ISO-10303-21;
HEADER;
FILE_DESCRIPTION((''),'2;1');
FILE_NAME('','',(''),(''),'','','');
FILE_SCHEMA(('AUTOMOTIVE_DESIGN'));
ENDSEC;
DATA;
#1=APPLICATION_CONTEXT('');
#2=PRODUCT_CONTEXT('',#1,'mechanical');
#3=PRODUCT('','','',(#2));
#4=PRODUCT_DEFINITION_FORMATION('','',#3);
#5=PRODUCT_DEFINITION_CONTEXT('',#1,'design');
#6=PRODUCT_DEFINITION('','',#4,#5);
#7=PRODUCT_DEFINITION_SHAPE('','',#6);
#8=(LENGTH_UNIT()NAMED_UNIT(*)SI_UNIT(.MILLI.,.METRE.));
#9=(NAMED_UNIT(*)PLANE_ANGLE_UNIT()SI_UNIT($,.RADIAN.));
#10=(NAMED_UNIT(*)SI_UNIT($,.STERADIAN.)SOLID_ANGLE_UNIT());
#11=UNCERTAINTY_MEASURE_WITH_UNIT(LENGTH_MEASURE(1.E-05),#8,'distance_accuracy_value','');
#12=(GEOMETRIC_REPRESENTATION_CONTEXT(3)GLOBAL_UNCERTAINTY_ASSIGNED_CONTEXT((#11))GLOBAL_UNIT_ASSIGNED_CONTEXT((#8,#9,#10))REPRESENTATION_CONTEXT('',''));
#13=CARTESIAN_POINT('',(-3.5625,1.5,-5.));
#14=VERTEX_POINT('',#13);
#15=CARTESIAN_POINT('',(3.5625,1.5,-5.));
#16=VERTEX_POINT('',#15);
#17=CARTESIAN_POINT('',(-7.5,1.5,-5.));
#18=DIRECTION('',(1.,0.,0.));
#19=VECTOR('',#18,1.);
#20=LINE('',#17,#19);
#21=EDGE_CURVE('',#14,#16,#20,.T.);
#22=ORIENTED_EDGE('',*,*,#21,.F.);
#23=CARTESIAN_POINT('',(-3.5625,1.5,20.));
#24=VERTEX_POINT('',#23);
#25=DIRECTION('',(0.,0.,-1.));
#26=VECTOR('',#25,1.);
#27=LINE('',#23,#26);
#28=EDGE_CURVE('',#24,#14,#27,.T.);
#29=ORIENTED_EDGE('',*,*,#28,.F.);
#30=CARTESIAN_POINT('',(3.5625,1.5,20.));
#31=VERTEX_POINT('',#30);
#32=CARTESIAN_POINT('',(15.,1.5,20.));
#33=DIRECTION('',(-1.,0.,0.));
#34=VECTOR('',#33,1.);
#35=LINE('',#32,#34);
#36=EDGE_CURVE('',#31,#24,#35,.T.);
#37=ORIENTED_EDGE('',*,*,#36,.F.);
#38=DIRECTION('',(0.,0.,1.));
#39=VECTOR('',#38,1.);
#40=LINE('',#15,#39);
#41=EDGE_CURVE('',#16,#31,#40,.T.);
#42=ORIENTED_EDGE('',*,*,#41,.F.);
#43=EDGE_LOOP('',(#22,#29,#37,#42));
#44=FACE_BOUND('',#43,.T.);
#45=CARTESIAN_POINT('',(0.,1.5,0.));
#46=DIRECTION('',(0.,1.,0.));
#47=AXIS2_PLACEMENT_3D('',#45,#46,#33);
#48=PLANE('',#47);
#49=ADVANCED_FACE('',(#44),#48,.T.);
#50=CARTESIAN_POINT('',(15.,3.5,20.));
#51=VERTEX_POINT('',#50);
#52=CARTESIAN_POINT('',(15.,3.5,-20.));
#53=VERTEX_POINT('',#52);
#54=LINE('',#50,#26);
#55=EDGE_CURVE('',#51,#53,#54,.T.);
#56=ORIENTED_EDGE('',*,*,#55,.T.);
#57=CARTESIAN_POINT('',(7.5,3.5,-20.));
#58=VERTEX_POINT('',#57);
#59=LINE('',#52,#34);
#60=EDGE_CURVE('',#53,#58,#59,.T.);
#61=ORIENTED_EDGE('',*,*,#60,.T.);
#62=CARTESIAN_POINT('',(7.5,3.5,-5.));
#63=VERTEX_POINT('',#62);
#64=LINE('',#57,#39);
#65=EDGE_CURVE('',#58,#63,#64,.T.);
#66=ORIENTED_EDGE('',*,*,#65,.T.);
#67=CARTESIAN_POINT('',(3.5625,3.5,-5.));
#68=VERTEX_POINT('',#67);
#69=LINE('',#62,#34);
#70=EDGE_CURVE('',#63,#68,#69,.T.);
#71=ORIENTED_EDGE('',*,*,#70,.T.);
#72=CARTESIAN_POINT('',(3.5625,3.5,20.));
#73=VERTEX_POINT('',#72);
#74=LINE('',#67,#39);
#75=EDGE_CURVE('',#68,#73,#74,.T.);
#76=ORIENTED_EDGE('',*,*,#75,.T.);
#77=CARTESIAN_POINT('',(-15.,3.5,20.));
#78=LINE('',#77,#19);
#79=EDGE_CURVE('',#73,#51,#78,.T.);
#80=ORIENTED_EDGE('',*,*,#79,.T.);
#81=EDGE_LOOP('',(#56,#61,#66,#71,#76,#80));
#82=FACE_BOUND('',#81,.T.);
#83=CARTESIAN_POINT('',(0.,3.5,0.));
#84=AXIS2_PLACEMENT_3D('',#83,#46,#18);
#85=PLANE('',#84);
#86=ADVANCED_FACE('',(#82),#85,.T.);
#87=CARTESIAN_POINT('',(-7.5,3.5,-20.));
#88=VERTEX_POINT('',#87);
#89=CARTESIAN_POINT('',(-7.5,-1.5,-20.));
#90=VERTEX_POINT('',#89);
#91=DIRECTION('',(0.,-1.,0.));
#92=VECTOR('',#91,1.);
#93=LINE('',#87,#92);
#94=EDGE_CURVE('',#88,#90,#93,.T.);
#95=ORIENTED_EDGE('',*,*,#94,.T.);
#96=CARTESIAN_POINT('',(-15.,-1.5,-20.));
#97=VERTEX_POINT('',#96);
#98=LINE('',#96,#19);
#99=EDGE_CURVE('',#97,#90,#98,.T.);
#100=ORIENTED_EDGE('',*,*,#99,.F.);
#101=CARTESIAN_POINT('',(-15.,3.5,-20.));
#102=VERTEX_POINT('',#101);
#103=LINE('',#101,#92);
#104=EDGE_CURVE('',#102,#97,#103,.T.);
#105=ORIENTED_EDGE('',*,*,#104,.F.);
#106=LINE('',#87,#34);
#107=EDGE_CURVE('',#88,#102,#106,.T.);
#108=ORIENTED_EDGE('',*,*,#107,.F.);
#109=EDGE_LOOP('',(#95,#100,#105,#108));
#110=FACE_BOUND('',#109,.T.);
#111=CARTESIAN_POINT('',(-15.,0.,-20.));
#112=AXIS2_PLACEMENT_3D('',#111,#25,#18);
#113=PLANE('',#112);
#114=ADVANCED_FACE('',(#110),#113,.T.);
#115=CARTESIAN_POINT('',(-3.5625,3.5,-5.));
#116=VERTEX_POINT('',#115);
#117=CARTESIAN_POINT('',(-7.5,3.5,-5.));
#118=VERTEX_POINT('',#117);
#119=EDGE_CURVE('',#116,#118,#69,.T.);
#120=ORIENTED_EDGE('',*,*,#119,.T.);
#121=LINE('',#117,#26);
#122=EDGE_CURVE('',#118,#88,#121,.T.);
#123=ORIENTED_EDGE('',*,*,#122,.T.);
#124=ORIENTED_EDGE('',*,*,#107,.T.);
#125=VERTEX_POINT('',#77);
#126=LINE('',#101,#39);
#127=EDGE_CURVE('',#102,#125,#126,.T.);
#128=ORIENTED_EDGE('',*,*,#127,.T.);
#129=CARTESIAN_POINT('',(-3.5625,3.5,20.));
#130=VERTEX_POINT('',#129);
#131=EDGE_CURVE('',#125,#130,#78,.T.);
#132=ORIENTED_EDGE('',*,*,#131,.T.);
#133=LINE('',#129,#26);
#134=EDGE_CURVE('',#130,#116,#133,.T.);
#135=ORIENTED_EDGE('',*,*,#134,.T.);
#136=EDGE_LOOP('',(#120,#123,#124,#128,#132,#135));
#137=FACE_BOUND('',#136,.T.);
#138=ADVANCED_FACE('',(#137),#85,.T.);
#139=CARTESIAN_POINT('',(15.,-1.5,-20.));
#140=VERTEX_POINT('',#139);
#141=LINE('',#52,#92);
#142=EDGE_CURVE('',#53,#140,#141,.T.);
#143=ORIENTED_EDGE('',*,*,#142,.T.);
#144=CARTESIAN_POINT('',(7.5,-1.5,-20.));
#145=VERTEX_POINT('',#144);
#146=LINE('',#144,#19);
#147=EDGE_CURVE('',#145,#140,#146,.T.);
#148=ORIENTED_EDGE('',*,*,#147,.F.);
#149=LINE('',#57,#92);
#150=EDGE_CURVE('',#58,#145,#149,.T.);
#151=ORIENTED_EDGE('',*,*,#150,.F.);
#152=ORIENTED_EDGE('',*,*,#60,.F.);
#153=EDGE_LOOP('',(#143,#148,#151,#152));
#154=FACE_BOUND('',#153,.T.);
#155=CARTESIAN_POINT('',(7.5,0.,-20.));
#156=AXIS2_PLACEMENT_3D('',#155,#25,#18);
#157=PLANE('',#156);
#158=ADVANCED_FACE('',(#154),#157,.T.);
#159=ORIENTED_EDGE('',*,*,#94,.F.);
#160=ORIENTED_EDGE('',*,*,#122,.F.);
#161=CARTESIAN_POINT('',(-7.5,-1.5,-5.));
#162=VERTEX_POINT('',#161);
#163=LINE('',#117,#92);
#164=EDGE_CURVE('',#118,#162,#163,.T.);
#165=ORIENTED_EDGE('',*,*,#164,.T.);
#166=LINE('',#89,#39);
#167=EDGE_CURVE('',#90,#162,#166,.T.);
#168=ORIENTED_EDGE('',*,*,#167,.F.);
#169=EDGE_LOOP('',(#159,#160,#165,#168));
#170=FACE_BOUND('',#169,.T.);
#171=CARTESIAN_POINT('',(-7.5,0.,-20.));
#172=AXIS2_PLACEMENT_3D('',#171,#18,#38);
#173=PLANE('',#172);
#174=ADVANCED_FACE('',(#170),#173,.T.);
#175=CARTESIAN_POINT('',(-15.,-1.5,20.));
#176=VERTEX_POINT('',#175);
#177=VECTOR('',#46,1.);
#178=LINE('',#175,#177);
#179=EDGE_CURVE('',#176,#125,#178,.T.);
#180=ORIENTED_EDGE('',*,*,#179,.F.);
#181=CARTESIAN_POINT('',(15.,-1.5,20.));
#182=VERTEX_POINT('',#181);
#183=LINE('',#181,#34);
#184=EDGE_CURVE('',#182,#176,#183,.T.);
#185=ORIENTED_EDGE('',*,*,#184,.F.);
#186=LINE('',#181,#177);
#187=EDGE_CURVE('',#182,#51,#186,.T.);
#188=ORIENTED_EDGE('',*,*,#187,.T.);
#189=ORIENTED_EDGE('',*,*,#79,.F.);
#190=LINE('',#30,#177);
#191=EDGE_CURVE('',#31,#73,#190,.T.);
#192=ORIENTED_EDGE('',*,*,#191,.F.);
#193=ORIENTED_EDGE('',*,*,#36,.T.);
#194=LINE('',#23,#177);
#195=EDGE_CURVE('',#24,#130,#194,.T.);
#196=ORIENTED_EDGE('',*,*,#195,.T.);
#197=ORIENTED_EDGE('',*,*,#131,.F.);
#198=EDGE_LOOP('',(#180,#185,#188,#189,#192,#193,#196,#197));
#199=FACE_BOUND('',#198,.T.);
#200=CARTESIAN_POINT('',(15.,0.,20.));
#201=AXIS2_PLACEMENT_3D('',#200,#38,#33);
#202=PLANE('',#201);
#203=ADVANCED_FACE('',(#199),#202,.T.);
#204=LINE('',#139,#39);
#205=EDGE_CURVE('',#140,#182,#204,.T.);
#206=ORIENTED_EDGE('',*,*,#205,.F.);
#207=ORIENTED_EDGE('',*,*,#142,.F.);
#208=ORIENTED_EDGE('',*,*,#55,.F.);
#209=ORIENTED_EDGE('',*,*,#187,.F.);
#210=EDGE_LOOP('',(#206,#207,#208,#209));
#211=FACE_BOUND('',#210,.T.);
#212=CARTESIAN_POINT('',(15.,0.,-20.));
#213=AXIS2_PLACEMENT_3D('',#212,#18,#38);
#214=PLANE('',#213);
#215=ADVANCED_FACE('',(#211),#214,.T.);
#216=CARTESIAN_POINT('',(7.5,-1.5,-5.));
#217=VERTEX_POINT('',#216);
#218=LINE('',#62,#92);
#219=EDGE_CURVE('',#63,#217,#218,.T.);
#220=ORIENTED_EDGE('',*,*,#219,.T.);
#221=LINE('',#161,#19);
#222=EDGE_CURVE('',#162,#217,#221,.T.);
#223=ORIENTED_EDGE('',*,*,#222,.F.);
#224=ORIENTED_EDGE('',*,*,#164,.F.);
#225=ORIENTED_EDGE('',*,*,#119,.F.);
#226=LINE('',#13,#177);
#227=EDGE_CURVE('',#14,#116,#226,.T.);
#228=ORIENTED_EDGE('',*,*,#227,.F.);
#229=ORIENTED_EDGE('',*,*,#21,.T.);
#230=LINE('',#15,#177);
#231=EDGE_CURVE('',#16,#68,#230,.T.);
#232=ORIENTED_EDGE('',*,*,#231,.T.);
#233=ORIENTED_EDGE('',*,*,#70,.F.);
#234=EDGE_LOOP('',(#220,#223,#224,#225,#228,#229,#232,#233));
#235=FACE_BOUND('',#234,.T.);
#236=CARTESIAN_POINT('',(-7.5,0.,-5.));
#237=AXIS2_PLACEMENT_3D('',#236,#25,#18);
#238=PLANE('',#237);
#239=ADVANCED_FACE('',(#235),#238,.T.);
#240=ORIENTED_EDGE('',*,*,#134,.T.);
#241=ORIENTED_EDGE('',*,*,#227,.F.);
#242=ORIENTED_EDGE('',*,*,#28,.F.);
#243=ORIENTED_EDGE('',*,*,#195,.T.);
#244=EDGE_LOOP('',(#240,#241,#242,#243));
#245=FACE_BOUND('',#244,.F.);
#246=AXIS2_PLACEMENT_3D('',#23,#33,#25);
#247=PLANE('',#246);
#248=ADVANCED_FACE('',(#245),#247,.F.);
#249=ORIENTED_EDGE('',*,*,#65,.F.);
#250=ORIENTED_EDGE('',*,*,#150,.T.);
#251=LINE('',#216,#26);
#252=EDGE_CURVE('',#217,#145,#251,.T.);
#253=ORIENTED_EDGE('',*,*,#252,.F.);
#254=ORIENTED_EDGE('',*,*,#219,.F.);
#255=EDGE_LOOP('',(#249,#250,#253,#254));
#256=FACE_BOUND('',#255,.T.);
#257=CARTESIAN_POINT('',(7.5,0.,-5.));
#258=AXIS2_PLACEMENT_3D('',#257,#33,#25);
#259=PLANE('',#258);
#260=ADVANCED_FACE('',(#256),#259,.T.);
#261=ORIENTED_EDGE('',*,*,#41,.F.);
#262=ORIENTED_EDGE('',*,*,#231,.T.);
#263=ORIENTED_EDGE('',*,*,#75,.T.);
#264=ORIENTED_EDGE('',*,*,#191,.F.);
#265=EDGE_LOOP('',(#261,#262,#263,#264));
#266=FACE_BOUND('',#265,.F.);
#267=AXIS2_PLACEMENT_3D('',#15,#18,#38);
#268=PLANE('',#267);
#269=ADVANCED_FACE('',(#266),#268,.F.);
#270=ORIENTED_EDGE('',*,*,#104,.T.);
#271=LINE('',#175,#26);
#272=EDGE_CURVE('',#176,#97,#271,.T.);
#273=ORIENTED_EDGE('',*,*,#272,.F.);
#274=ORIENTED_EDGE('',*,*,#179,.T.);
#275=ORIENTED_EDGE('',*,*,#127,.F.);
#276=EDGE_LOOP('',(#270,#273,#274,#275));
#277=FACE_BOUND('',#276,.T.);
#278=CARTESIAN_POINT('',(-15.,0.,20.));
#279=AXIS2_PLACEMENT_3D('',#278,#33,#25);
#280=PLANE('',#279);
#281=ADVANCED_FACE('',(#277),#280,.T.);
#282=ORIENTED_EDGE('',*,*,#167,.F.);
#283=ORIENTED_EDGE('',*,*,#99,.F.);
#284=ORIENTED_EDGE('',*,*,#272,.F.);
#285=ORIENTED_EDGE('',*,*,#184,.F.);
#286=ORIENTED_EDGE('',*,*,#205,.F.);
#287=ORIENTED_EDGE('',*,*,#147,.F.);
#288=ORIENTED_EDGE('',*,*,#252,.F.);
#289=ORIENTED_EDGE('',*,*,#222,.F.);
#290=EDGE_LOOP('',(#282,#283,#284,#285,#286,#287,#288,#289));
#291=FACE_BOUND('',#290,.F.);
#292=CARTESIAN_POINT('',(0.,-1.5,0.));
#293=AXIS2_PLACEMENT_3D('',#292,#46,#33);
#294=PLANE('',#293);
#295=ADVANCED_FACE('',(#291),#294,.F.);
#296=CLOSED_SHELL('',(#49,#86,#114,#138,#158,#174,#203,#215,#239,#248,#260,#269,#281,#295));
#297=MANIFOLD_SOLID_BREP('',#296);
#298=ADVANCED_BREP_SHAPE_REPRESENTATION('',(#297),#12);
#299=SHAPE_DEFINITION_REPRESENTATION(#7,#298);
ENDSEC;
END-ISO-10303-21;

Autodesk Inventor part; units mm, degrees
ref_plane "YZ Plane" through (0, 0, 0) normal (1, 0, 0) x (0, 1, 0)
ref_plane "XZ Plane" through (0, 0, 0) normal (0, 1, 0) x (-1, 0, 0)
ref_plane "XY Plane" through (0, 0, 0) normal (0, 0, 1) x (1, 0, 0)
sketch "Sketch1" plane through (0, 0, 0) normal (0, 1, 0) x (-1, 0, 0)
  line L0 (15, 20) -> (15, -20)
  line L1 (15, -20) -> (7.5, -20)
  line L2 (7.5, -20) -> (7.5, -5)
  line L3 (7.5, -5) -> (-7.5, -5)
  line L4 (-7.5, -5) -> (-7.5, -20)
  line L5 (-7.5, -20) -> (-15, -20)
  line L6 (-15, -20) -> (-15, 20)
  line L7 (-15, 20) -> (15, 20)
  point P0 (0, 0)
  point P1 (0, 20)
  point P2 (0, -5)
  point P3 (15, 0)
  dimension "d2" = 30
  dimension "d3" = 40
  dimension "d4" = 15
  dimension "d5" = 15
extrude "Extrusion1" add sketch "Sketch1" along normal mid plane 3
sketch "Sketch2" plane through (0, 1.5, 0) normal (0, 1, 0) x (1, 0, 0)
  line L0 (3.5625, -20) -> (-3.5625, -20)
  line L1 (-3.5625, -20) -> (-3.5625, 5)
  line L2 (-3.5625, 5) -> (3.5625, 5)
  line L3 (3.5625, 5) -> (3.5625, -20)
  line L4 (3.5625, -20) -> (-3.5625, 5) construction
  line L5 (-3.5625, -20) -> (3.5625, 5) construction
  line L6 (-15, -20) -> (15, -20) projected
  line L7 (7.5, 5) -> (-7.5, 5) projected
  line L8 (-15, 20) -> (-15, -20) projected
  line L9 (-15, -20) -> (15, -20) projected
  line L10 (15, -20) -> (15, 20) projected
  line L11 (15, 20) -> (7.5, 20) projected
  line L12 (7.5, 20) -> (7.5, 5) projected
  line L13 (7.5, 5) -> (-7.5, 5) projected
  line L14 (-7.5, 5) -> (-7.5, 20) projected
  line L15 (-7.5, 20) -> (-15, 20) projected
  point P0 (0, 0)
  point P1 (0, -7.5)
  point P2 (0, -7.5)
  dimension "d8" = 7.125
extrude "Extrusion2" add sketch "Sketch2" along normal blind 2 contours L3 L7 L12 L11 L10 L6 | L6 L8 L15 L14 L7 L1
properties part number "RS-RemovableFiber"
